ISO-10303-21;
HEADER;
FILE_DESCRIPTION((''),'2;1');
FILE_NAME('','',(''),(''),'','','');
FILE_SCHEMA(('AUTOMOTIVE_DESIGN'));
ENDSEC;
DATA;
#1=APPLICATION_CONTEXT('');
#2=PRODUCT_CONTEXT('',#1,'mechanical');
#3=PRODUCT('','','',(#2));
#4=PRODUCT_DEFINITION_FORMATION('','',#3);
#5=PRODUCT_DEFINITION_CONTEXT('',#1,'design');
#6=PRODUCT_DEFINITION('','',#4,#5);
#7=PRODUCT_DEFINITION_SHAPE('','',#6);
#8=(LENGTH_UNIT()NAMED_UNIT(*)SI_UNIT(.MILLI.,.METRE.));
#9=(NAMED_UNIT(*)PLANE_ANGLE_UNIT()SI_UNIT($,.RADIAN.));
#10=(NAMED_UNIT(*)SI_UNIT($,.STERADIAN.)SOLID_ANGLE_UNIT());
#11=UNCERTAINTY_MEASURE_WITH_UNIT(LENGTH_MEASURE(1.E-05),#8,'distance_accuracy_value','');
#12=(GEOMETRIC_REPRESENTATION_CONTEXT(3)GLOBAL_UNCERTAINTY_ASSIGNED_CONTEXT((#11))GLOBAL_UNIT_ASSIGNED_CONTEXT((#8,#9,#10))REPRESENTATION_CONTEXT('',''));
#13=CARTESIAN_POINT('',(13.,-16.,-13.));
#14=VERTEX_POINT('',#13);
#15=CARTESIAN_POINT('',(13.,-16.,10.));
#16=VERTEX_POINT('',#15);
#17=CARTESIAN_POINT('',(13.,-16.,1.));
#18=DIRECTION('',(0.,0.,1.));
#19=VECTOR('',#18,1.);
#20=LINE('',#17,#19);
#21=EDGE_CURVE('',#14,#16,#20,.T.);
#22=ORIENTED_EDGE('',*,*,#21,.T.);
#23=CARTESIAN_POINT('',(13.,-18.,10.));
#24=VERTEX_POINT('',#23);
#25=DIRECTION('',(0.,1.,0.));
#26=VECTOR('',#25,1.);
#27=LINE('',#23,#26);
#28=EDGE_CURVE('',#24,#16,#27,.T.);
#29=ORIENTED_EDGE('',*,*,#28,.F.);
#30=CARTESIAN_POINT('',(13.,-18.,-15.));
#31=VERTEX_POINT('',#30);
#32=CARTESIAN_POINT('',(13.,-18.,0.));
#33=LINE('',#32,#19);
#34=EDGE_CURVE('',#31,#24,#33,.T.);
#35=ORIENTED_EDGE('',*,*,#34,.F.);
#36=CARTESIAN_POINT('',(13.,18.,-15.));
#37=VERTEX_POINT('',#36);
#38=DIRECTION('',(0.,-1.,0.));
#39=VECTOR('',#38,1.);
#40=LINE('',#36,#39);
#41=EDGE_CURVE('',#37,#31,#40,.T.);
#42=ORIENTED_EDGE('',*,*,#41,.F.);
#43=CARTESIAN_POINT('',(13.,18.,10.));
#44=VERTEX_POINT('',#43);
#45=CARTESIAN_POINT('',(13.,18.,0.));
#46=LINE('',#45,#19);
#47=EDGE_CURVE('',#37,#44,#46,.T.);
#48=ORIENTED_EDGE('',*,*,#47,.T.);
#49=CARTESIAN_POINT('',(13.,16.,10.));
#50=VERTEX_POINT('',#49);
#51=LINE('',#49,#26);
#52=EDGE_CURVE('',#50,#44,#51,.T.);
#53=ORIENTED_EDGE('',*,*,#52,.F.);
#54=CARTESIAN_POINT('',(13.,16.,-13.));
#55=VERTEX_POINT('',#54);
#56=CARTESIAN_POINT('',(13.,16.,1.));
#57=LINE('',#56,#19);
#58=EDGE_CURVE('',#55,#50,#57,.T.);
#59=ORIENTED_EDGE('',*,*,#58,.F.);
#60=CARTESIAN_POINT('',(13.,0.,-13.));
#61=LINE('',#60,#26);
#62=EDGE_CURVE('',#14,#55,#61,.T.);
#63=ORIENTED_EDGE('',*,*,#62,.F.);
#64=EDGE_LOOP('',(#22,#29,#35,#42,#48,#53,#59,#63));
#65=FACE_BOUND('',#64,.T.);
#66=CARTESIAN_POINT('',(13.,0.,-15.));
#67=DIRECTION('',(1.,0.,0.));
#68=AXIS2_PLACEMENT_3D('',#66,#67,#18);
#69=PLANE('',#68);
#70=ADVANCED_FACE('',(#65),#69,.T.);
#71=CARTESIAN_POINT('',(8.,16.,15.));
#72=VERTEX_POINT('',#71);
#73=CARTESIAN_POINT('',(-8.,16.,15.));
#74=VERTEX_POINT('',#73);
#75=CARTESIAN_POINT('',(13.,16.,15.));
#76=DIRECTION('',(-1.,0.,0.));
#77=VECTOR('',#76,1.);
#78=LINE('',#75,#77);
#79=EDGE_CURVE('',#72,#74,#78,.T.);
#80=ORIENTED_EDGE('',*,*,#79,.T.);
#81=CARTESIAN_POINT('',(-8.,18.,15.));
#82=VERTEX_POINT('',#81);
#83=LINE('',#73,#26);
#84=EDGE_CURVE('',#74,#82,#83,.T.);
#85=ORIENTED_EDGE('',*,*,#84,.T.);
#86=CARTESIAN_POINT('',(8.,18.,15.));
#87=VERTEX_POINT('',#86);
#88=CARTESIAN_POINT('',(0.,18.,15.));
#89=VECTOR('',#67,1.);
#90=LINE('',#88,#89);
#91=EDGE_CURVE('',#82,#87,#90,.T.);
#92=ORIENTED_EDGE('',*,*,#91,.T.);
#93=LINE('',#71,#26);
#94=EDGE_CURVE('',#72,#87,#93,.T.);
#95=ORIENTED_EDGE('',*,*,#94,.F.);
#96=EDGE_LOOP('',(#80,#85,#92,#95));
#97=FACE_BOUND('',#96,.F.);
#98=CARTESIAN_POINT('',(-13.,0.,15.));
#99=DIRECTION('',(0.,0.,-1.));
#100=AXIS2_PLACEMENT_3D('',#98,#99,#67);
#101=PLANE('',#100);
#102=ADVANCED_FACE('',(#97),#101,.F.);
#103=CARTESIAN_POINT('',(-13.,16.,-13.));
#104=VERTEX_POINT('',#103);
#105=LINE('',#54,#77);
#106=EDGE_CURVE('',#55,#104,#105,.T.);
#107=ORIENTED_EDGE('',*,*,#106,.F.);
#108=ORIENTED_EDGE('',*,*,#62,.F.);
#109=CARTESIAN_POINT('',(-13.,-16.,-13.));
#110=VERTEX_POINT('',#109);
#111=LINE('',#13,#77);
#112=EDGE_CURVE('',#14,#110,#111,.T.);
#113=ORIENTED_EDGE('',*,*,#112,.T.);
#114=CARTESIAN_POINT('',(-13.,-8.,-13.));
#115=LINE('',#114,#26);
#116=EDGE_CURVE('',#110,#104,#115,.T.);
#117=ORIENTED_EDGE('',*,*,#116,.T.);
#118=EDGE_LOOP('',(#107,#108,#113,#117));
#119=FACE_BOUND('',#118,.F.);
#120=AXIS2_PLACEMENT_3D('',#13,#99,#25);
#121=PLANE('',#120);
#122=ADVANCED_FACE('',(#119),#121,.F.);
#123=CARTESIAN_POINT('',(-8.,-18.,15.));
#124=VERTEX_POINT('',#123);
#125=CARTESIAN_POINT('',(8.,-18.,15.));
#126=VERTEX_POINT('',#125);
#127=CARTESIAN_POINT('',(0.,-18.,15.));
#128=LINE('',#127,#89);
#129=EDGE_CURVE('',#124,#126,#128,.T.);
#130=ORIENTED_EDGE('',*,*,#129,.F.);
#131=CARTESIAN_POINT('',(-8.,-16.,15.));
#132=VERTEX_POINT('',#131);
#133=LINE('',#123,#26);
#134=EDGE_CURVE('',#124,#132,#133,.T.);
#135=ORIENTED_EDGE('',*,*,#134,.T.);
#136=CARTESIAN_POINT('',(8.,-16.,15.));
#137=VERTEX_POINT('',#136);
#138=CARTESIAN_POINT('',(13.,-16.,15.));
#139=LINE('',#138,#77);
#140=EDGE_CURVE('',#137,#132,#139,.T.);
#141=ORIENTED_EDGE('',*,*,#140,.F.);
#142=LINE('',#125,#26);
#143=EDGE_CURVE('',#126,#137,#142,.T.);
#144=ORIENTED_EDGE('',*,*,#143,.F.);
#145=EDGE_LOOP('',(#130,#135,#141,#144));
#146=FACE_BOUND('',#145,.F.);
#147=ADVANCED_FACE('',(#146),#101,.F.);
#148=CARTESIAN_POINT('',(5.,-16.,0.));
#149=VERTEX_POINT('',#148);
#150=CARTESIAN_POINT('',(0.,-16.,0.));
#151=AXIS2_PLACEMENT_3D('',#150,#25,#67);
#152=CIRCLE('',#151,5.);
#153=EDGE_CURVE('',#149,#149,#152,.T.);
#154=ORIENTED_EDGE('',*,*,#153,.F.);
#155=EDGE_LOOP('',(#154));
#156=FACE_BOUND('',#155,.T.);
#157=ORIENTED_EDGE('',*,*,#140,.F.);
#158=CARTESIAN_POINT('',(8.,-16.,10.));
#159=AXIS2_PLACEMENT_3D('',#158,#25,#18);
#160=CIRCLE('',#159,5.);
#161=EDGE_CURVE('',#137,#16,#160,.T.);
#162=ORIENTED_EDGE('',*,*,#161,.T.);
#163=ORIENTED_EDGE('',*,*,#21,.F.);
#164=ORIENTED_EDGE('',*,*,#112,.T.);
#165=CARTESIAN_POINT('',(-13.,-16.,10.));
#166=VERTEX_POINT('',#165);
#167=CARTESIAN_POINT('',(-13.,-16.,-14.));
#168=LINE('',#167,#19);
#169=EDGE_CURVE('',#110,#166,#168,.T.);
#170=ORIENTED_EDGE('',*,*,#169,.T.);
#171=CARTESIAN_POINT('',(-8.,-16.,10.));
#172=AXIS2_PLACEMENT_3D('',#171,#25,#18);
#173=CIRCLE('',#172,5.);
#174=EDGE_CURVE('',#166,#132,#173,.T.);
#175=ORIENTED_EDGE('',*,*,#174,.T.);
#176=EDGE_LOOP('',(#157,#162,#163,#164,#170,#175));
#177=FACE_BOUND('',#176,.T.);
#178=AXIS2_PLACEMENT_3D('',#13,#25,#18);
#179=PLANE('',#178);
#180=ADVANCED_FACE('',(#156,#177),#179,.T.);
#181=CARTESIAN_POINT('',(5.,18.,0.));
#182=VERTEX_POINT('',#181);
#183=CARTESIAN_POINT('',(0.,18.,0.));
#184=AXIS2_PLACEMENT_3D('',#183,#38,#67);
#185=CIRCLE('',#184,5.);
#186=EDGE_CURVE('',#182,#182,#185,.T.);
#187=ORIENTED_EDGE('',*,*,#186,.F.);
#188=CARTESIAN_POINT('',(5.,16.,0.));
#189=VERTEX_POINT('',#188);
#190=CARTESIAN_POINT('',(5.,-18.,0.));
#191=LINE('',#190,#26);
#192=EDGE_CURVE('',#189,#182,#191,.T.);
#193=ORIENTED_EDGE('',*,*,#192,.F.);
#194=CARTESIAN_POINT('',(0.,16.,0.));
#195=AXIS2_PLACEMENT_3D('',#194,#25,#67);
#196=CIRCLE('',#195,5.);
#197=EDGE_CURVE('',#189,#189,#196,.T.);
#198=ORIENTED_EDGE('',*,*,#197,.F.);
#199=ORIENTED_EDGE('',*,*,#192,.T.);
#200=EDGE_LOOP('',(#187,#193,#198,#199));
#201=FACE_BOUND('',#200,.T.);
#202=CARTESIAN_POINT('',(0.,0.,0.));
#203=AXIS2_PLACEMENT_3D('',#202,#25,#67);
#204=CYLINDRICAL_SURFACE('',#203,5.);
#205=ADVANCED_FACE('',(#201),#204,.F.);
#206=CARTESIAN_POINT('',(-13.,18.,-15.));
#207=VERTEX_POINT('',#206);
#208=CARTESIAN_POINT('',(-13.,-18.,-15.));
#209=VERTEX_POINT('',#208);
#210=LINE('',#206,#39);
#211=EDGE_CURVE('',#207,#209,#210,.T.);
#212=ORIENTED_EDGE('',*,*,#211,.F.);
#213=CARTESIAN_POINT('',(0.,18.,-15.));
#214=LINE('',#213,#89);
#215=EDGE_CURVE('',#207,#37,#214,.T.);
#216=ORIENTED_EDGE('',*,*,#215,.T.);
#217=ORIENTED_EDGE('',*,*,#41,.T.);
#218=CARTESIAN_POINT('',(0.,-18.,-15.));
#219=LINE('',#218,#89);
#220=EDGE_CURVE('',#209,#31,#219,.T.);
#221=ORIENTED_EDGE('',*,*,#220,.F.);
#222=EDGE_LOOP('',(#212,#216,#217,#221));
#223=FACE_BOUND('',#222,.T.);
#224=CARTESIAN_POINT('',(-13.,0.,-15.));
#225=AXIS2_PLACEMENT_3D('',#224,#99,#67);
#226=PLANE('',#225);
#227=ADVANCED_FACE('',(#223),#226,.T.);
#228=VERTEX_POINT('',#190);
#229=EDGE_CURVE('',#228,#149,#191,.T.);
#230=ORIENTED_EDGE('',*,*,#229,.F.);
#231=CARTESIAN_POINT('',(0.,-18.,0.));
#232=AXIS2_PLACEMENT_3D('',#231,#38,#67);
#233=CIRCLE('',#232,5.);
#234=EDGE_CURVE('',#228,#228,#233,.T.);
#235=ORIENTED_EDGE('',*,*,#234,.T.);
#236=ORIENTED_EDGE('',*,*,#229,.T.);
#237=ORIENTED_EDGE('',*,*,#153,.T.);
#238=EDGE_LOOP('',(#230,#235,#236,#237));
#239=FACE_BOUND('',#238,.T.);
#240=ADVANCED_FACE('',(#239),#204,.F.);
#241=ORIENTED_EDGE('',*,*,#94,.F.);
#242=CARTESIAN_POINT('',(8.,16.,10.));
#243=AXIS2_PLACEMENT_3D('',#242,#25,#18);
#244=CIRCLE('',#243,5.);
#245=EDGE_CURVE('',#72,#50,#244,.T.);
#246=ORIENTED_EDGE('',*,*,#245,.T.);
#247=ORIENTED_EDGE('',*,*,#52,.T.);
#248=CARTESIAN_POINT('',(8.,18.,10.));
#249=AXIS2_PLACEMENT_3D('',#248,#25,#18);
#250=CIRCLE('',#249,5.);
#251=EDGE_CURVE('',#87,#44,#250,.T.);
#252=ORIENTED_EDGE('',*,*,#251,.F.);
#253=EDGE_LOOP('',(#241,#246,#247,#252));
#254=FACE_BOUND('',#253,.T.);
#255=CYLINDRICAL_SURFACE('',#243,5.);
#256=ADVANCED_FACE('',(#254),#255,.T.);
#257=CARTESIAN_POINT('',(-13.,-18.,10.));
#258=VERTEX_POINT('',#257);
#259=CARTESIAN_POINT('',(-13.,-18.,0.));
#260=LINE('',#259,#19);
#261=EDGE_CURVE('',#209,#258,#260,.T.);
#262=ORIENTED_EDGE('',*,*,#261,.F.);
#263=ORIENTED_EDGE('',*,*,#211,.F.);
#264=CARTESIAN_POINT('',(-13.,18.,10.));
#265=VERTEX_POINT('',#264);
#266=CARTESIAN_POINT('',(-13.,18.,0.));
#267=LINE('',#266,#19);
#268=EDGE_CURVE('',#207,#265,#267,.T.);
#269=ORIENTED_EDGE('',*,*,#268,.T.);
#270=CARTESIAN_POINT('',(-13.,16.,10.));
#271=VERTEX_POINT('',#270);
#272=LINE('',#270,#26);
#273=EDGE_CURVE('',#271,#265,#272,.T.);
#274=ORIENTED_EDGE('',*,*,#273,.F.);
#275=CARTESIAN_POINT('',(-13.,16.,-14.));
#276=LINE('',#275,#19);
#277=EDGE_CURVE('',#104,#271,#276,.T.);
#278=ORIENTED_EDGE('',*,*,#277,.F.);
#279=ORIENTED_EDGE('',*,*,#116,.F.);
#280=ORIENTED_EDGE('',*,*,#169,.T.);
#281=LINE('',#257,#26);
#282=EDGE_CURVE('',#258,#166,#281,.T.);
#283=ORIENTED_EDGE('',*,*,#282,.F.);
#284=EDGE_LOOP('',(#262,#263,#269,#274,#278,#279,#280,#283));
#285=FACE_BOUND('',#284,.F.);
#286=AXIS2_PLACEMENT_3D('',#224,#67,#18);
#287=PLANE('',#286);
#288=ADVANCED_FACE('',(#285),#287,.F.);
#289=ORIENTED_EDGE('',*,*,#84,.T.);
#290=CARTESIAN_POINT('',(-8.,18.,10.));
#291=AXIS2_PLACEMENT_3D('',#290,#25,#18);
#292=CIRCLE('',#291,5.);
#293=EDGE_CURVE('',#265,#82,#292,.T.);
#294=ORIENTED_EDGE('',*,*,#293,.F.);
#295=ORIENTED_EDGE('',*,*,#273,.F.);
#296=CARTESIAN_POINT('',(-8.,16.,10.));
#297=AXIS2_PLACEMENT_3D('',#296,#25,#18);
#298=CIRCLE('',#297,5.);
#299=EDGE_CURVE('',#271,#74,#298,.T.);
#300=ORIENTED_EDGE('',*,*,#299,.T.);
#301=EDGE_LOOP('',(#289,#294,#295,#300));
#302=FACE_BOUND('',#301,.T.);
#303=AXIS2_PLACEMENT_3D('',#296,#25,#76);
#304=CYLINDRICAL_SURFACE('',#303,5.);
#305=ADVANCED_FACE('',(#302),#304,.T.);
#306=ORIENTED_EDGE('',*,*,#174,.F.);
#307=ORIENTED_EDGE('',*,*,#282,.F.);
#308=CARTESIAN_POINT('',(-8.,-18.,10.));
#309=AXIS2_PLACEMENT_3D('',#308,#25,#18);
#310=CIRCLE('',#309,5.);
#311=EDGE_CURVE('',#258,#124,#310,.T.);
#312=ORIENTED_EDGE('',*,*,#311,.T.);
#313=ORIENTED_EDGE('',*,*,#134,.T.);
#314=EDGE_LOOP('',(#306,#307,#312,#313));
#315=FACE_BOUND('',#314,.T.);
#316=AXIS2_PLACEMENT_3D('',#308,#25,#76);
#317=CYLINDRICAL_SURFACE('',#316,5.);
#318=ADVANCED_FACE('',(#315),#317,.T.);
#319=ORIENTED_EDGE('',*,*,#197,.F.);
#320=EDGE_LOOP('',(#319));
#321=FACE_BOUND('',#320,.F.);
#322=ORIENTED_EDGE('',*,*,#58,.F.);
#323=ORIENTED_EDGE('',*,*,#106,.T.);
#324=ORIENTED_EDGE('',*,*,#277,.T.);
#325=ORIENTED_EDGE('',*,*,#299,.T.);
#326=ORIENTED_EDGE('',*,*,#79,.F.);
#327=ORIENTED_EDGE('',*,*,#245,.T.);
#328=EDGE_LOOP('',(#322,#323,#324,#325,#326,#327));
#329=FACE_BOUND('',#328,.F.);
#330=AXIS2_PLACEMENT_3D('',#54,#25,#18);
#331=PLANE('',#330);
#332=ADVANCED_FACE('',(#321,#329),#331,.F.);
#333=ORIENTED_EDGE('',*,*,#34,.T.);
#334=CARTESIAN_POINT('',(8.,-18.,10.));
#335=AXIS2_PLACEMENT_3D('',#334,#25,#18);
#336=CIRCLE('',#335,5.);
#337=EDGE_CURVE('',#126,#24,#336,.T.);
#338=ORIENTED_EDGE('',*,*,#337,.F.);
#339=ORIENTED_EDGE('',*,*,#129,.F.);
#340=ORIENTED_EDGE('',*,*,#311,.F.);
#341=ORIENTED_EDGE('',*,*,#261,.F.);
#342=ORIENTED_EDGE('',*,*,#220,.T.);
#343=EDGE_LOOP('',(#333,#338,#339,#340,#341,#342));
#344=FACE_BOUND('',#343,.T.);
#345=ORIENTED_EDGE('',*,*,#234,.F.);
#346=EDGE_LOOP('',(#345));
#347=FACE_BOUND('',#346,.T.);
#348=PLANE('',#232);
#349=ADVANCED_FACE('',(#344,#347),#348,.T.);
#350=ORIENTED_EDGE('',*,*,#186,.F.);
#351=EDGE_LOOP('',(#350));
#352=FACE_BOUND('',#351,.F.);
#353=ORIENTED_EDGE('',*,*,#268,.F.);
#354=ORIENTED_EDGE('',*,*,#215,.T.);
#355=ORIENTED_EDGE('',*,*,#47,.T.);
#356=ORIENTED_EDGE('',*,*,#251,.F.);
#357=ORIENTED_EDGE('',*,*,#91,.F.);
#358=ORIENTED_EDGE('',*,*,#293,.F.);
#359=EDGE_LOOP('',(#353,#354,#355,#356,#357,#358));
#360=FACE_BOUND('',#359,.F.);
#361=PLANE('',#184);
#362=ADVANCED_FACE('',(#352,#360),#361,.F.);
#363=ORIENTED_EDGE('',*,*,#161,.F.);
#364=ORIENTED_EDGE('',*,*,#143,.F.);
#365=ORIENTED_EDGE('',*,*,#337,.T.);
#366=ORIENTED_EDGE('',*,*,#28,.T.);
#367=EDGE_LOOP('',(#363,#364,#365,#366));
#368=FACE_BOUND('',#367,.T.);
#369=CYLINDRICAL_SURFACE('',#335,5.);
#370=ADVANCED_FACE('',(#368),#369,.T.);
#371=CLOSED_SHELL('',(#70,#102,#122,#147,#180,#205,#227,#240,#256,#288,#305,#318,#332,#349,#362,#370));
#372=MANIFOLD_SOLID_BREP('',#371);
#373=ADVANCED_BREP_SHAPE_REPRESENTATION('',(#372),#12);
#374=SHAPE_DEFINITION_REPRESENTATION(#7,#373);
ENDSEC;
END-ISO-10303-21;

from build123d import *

# Parameters (mm, degrees)
F0_W     = 26
F0_H     = 30
F0_R     = 5
F1_DEPTH = 18
F2_W     = 32
F2_H     = 28
F3_DEPTH = 26.001
F4_R     = 5


with BuildPart() as f1:
    # F0 (on Front) → F1 (new body, symmetric)
    with BuildSketch(Plane.XZ):
        Rectangle(F0_W, F0_H)
        Circle(F0_R, mode=Mode.SUBTRACT)
    extrude(amount=F1_DEPTH, both=True)

    # F2 (on face) → F3 (cut, through all)
    with BuildSketch(Plane.YZ.offset(13)):
        with Locations((0, 1)):
            Rectangle(F2_W, F2_H)
    extrude(amount=-F3_DEPTH, mode=Mode.SUBTRACT)

    # F4
    f4_edges = [f1.edges().sort_by_distance(p)[0] for p in [
        (13, -17, 15),
        (13, 17, 15),
        (-13, 17, 15),
        (-13, -17, 15),
    ]]
    fillet(f4_edges, radius=F4_R)


solid = f1.part
